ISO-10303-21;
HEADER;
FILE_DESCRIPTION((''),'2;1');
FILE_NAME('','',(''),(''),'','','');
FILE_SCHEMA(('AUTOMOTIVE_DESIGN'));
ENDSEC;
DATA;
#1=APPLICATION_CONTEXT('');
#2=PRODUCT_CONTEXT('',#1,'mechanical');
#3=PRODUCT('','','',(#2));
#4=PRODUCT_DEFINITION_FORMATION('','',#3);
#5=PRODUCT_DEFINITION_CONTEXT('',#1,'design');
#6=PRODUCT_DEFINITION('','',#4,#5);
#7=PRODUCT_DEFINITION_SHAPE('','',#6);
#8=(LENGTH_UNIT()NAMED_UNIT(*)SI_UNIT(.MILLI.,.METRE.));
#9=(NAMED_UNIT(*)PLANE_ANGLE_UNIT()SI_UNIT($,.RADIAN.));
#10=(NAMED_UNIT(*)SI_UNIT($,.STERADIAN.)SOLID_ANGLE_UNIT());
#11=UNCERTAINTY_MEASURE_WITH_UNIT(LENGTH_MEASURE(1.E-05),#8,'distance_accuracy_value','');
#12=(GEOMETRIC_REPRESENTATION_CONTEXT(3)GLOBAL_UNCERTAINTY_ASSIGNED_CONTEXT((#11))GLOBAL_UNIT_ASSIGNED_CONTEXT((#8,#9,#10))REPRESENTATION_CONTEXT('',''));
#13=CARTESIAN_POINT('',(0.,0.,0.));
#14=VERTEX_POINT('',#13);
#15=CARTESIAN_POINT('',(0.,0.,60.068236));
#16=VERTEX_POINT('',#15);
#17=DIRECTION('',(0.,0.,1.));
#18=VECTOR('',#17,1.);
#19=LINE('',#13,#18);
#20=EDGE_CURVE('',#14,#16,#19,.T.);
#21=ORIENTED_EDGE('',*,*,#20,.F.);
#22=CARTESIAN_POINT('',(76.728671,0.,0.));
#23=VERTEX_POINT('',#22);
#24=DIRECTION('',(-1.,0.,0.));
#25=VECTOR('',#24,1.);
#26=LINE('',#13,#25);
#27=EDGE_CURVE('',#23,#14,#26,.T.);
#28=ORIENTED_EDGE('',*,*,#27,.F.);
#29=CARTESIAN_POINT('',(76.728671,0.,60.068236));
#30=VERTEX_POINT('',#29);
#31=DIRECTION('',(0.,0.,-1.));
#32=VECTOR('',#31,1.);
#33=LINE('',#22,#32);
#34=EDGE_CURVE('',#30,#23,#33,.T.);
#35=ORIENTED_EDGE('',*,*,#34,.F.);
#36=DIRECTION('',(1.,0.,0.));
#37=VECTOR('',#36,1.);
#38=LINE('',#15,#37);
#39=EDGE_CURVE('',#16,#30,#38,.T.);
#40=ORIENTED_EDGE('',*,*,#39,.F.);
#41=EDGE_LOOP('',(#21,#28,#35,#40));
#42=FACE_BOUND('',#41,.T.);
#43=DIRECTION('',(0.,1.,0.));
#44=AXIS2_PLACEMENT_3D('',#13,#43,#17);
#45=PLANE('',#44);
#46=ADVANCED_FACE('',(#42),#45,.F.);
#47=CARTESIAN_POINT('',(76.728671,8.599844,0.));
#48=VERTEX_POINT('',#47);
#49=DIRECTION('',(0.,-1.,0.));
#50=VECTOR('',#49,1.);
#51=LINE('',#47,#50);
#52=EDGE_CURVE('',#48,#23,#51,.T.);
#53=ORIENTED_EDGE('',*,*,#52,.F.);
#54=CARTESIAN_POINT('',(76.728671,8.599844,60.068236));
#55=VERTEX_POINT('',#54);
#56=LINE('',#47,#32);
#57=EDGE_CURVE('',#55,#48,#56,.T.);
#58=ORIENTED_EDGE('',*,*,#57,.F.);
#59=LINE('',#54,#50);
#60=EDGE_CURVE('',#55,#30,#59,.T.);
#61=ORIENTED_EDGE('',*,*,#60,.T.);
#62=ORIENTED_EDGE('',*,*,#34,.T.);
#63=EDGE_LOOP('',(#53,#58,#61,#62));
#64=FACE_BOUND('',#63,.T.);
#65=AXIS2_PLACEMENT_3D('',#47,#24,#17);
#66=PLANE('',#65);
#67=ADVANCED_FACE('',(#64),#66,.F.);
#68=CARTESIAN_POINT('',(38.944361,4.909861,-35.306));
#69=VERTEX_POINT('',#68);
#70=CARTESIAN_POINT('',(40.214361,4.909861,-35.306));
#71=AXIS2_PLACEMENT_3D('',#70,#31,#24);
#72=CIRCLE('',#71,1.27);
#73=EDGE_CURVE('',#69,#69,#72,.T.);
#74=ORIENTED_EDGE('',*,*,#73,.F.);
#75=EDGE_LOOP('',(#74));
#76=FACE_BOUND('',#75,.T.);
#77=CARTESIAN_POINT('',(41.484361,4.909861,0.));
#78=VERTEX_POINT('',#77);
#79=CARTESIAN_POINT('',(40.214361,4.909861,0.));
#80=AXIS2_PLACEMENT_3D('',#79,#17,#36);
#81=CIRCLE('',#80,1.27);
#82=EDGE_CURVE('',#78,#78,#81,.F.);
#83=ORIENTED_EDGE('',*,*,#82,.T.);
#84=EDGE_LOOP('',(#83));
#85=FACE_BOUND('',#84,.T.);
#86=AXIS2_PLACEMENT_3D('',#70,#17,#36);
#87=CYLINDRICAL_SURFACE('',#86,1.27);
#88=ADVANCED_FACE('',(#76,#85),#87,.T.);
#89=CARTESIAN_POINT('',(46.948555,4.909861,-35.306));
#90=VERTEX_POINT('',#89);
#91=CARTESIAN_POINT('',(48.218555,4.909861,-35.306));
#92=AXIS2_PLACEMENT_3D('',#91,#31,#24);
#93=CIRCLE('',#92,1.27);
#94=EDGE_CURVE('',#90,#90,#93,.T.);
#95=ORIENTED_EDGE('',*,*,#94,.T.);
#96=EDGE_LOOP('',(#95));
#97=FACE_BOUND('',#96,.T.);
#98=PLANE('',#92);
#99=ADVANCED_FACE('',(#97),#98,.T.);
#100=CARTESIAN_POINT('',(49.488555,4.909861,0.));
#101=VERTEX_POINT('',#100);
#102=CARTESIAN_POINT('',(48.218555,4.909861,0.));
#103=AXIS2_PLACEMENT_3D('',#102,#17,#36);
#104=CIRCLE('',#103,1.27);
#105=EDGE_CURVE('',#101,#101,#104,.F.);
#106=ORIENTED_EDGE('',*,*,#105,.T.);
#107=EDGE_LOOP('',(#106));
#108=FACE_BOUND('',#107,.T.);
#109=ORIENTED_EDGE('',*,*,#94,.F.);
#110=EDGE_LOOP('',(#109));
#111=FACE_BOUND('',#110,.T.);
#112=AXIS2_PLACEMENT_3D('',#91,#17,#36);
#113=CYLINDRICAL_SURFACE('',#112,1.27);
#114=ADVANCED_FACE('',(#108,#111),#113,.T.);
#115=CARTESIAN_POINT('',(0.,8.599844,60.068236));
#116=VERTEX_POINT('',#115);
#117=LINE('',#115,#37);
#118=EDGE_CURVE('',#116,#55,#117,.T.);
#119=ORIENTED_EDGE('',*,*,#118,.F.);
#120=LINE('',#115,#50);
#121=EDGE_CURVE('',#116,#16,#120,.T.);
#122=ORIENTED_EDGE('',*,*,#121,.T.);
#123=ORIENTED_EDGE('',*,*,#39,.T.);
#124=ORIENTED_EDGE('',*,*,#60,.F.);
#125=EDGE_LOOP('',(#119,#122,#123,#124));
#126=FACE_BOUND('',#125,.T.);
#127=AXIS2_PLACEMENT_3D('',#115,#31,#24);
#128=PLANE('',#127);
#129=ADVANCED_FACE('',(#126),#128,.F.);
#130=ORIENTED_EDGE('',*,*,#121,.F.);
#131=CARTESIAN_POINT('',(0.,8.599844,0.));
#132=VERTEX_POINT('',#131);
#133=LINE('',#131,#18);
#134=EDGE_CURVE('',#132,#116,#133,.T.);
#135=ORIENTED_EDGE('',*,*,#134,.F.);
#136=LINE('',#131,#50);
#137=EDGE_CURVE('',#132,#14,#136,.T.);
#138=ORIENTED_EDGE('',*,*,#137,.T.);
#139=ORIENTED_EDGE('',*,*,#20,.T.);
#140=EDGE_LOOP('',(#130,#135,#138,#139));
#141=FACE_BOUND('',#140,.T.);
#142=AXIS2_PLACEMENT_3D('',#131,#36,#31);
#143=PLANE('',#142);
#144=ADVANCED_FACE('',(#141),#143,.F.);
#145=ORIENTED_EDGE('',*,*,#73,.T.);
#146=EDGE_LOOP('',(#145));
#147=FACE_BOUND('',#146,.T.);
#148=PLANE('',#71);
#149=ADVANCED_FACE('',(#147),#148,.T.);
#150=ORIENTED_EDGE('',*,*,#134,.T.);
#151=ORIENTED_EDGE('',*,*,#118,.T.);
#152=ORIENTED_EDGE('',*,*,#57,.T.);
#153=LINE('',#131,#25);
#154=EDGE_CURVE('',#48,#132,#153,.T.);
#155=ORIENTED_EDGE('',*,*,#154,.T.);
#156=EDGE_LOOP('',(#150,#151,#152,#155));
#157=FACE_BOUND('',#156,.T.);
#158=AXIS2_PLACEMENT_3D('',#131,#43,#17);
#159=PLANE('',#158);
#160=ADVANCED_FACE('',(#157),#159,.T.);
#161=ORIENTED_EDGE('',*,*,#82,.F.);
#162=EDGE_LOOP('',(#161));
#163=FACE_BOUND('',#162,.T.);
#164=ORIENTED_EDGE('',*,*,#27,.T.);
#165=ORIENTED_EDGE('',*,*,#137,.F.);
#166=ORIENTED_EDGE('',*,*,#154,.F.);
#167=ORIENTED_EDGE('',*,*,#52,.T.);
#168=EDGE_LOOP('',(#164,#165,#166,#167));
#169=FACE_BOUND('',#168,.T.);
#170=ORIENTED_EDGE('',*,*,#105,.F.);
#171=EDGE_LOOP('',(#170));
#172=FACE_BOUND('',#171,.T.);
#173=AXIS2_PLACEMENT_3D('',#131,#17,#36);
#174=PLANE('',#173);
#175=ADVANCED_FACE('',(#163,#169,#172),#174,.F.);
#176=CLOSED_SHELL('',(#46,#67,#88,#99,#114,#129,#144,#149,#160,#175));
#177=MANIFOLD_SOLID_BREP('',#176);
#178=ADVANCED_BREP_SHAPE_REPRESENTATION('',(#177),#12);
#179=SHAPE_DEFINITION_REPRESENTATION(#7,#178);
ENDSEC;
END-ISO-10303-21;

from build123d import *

# Parameters (mm, degrees)
SKETCH1_W           = 76.728670738
SKETCH1_H           = 60.068235585
BOSS_EXTRUDE1_DEPTH = 8.599843707
SKETCH2_R           = 1.27
BOSS_EXTRUDE2_DEPTH = 35.306


with BuildPart() as part:
    # Sketch1 → Boss-Extrude1 (new body)
    with BuildSketch(Plane(origin=(0, 0, 0), x_dir=(1, 0, 0), z_dir=(0, 1, 0))):
        with Locations((38.364335369, -30.034117793)):
            Rectangle(SKETCH1_W, SKETCH1_H)
    extrude(amount=BOSS_EXTRUDE1_DEPTH)

    # Sketch2 → Boss-Extrude2 (add)
    with BuildSketch(Plane(origin=(0, 0, 0), x_dir=(-1, 0, 0), z_dir=(0, 0, -1))):
        with Locations(Location((-48.21855473, 4.909861394, 0), (0, 0, 180))):
            Circle(SKETCH2_R)
        with Locations(Location((-40.214361226, 4.909861394, 0), (0, 0, 180))):
            Circle(SKETCH2_R)
    extrude(amount=BOSS_EXTRUDE2_DEPTH)


solid = part.part
